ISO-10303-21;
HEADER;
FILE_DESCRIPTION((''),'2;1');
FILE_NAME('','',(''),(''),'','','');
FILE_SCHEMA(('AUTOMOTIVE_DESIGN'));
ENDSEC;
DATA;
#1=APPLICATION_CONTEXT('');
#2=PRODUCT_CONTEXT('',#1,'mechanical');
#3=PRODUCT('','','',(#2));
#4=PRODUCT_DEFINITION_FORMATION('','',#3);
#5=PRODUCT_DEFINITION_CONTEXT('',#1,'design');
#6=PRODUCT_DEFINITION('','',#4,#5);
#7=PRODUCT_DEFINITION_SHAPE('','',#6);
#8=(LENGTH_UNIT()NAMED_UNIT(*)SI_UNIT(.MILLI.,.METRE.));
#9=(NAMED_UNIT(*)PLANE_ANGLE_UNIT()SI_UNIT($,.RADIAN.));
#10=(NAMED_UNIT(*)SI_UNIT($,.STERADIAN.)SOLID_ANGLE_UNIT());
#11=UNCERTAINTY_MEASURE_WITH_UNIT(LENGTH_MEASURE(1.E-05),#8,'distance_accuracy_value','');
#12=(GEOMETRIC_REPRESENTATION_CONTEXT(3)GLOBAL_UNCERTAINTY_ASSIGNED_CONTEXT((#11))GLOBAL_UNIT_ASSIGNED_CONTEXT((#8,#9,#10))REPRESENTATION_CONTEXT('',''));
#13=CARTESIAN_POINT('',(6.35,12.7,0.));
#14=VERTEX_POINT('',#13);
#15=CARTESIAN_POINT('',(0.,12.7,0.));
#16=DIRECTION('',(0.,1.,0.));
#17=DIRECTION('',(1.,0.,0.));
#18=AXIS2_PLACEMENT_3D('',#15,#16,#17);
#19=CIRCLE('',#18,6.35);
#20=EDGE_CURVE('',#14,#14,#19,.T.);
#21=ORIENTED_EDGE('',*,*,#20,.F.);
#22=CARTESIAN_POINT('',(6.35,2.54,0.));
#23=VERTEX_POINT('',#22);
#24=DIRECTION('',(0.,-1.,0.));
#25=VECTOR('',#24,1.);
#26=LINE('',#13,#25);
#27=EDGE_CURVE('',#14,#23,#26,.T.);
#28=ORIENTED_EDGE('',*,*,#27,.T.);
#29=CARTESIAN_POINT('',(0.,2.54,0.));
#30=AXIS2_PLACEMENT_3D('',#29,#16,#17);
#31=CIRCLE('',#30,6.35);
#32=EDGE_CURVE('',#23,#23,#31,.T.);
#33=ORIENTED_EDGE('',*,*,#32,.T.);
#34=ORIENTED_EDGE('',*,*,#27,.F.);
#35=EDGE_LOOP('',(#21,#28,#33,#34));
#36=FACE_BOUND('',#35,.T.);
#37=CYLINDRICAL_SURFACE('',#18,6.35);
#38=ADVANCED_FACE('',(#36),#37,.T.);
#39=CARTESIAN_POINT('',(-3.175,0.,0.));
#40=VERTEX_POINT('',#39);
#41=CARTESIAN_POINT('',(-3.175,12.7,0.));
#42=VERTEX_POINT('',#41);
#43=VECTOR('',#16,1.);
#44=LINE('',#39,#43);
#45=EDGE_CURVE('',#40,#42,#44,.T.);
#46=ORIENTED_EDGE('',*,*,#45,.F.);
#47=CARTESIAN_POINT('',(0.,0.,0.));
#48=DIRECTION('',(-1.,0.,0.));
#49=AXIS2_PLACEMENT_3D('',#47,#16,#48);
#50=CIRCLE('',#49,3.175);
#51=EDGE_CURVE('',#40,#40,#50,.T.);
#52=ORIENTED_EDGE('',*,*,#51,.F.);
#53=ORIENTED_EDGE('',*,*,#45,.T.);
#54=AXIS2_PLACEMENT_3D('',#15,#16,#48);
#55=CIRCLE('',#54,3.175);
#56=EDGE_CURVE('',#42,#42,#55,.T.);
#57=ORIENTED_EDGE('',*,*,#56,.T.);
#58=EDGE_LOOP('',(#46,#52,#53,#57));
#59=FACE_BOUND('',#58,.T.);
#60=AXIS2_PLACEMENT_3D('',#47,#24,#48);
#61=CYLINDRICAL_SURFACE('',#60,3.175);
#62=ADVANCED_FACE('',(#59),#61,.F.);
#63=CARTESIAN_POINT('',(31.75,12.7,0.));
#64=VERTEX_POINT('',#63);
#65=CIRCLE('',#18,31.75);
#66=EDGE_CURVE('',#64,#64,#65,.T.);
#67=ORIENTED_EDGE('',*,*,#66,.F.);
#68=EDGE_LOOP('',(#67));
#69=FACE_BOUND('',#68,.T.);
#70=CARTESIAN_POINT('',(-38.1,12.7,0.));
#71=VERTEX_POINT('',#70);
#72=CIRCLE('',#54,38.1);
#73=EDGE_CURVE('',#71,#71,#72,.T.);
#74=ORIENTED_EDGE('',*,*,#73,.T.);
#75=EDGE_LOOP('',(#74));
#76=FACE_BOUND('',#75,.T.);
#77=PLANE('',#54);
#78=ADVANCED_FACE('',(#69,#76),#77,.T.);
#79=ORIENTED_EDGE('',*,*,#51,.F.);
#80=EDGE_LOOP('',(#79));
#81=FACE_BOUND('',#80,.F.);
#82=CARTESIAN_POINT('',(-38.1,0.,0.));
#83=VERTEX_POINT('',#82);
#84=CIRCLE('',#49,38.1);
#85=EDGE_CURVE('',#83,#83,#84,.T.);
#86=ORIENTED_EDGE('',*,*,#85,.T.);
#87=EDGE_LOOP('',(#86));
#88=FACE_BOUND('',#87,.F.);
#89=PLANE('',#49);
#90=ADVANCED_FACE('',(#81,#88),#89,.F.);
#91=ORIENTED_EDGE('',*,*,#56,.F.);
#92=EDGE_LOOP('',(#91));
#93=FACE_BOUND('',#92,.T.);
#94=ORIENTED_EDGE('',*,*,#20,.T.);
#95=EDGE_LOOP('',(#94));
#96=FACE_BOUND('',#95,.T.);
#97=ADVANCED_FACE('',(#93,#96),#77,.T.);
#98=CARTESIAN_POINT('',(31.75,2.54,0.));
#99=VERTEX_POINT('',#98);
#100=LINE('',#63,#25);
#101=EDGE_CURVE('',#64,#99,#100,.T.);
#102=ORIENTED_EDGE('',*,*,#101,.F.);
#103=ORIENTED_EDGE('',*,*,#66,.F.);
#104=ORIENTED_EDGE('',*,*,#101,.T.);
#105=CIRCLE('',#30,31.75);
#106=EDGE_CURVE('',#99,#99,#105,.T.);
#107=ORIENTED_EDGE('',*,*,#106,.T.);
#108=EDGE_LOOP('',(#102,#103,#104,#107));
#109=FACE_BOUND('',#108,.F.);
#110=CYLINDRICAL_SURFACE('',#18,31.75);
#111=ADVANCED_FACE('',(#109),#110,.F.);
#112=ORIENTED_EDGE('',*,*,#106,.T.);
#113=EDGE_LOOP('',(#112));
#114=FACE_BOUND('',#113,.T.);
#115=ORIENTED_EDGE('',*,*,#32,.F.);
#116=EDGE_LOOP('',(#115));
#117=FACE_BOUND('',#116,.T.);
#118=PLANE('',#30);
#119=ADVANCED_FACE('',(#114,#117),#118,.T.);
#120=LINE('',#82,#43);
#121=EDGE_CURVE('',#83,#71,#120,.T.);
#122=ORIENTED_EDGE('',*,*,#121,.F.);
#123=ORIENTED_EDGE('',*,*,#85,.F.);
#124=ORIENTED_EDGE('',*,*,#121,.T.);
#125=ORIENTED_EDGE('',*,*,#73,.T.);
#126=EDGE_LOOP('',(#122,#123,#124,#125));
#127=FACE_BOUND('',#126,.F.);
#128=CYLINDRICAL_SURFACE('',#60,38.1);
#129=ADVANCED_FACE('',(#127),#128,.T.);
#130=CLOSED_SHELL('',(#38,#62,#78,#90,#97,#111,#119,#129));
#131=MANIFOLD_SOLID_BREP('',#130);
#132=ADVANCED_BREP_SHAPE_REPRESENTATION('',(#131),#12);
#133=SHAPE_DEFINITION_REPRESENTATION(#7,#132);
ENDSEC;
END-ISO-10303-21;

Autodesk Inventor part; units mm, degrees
ref_plane "YZ Plane" through (0, 0, 0) normal (1, 0, 0) x (0, 1, 0)
ref_plane "XZ Plane" through (0, 0, 0) normal (0, 1, 0) x (-1, 0, 0)
ref_plane "XY Plane" through (0, 0, 0) normal (0, 0, 1) x (1, 0, 0)
sketch "Sketch1" plane through (0, 0, 0) normal (0, 1, 0) x (-1, 0, 0)
  circle A0 centre (0, 0) radius 38.1
  circle A1 centre (0, 0) radius 3.175
  dimension "d0" = 76.2
  dimension "d1" = 6.35
extrude "Extrusion1" add sketch "Sketch1" along normal blind 12.7
sketch "Sketch2" plane through (0, 12.7, 0) normal (0, 1, 0) x (1, 0, 0)
  circle A0 centre (0, 0) radius 6.35
  circle A1 centre (0, 0) radius 31.75
  dimension "d4" = 63.5
  dimension "d5" = 12.7
extrude "Extrusion2" cut sketch "Sketch2" against normal blind 10.16
properties part number "largeinertiawheel" material "Aluminum 6061"
